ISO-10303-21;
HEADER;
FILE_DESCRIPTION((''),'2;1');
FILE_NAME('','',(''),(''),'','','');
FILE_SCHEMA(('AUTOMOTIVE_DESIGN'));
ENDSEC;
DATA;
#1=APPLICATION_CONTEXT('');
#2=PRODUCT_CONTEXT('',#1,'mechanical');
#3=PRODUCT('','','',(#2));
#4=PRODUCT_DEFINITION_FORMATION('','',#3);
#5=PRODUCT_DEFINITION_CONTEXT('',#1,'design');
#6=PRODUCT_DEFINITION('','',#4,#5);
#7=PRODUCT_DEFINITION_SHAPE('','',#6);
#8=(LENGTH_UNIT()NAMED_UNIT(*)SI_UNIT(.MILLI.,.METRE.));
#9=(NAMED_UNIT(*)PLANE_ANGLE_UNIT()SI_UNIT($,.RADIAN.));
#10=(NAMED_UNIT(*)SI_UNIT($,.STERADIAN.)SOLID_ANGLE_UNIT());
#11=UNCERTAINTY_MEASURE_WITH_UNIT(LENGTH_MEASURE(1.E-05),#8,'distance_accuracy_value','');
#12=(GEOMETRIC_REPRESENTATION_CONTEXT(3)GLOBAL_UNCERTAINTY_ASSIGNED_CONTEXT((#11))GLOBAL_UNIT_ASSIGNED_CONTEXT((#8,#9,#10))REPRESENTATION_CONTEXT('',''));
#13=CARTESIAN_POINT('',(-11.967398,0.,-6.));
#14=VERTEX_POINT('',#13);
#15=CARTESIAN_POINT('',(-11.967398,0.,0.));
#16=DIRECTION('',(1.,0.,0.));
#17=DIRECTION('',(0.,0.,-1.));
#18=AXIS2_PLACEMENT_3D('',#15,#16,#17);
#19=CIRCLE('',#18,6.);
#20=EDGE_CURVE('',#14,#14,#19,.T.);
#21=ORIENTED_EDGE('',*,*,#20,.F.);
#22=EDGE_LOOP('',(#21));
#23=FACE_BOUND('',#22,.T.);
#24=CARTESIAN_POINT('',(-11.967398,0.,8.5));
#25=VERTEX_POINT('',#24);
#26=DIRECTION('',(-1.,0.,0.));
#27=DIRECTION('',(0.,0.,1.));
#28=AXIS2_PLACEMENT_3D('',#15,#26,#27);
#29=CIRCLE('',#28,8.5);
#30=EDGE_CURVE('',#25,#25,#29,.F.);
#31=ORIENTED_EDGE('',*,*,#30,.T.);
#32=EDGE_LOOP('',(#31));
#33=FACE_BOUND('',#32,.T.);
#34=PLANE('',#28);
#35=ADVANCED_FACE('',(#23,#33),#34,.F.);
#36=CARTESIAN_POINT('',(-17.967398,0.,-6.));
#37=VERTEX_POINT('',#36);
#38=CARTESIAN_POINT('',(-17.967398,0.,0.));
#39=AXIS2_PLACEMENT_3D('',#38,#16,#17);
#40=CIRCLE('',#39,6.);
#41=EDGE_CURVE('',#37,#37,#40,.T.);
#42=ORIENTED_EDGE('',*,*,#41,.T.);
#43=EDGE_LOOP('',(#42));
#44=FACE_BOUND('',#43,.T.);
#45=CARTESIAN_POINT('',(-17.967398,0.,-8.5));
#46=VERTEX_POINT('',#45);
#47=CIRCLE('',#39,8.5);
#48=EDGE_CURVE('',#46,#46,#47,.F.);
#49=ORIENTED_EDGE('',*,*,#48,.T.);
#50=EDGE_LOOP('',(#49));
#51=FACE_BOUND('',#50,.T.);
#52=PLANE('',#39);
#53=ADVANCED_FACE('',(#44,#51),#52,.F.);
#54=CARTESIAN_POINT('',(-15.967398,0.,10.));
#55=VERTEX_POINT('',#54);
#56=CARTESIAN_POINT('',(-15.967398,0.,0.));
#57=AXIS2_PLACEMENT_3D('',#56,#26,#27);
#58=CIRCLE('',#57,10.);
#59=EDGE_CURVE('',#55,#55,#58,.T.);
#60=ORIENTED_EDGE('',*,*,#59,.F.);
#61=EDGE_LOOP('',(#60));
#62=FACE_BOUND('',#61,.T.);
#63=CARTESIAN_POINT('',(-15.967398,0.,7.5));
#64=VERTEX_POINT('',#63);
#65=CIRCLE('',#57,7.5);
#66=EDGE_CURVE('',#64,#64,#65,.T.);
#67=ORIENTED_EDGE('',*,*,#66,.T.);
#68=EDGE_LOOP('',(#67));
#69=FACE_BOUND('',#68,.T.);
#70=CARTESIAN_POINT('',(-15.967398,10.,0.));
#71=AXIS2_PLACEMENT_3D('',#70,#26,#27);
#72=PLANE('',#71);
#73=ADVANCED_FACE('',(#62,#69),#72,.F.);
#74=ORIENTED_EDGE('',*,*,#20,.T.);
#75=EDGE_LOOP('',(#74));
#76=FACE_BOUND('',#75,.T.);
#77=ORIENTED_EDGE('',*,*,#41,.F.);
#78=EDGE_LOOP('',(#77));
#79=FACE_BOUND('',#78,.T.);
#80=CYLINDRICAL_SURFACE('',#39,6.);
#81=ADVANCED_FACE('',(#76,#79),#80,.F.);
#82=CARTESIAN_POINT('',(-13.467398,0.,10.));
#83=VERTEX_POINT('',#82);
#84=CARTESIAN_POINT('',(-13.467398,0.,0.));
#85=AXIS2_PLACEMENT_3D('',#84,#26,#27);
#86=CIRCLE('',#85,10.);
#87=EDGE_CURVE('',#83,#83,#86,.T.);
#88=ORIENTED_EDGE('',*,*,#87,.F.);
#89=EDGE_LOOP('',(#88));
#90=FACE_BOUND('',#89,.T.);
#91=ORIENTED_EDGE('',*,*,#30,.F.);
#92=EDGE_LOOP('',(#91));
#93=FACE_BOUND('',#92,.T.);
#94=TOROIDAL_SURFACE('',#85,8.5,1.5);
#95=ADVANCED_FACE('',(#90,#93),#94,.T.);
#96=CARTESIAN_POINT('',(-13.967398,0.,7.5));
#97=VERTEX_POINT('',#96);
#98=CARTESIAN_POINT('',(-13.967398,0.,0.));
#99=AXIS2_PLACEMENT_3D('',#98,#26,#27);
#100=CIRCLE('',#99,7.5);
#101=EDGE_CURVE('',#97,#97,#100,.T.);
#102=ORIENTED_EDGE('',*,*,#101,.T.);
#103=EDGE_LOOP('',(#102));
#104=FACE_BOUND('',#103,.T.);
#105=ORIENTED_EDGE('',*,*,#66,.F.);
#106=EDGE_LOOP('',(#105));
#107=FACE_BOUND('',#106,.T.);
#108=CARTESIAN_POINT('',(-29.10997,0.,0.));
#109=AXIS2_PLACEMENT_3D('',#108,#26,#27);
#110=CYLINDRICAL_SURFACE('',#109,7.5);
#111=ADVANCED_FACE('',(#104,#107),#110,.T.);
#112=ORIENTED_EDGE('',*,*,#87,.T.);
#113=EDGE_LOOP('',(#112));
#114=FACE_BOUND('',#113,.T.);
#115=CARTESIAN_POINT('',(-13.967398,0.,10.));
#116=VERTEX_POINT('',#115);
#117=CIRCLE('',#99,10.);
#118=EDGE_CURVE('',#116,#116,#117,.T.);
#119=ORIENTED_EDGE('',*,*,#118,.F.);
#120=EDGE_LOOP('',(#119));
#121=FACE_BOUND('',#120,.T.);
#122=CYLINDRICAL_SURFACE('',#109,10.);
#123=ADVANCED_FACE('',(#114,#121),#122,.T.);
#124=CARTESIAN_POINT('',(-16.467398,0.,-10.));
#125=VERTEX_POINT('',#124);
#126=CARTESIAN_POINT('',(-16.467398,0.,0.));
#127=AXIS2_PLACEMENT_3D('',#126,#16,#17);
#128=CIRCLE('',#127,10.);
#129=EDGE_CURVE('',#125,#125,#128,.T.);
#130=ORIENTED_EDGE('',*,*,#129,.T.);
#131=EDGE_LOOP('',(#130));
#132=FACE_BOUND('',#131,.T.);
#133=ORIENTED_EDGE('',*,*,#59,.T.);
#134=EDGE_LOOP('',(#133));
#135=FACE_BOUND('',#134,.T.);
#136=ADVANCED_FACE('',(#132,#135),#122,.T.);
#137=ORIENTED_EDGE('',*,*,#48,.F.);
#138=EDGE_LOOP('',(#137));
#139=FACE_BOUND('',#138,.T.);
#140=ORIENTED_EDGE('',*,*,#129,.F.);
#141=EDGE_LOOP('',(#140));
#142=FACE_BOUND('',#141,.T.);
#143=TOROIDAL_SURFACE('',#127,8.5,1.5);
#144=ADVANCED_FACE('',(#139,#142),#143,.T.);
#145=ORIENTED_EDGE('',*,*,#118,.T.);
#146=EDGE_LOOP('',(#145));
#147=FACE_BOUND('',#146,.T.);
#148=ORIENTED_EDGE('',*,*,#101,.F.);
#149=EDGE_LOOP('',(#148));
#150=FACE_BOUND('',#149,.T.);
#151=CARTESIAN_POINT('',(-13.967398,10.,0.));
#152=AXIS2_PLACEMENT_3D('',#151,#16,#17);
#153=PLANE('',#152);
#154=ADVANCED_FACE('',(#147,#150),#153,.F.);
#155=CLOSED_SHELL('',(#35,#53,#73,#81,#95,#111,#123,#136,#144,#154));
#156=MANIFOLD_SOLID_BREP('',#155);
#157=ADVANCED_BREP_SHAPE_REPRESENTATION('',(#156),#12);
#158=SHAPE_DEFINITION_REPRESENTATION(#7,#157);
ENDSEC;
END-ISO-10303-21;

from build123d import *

# Parameters (mm, degrees)
SKETCH_2_R          = 6
CUT_EXTRUDE_1_DEPTH = 6
FILLET_1_R          = 1.5


with BuildPart() as part:
    # Эскиз1 → Повернуть1 (revolve)
    with BuildSketch(Plane.XY, mode=Mode.PRIVATE) as revolve_1_sk:
        Polygon((-17.967397807, 0), (-11.967397807, 0), (-11.967397807, 10), (-13.967397807, 10), (-13.967397807, 7.5), (-15.967397807, 7.5), (-15.967397807, 10), (-17.967397807, 10), align=None)
    revolve(revolve_1_sk.sketch.rotate(Axis((-29.10997009, 0, 0), (1, 0, 0)), 90), axis=Axis((-29.10997009, 0, 0), (1, 0, 0)))

    # Эскиз2 → Вырез-Вытянуть1 (cut)
    with BuildSketch(Plane(origin=(-11.967397807, 0, 0), x_dir=(0, 0, -1), z_dir=(1, 0, 0))):
        Circle(SKETCH_2_R)
    extrude(amount=-CUT_EXTRUDE_1_DEPTH, mode=Mode.SUBTRACT)

    # Скругление1
    fillet_1_edges = [part.edges().sort_by_distance(p)[0] for p in [
        (-11.967397807, 0, -10),
        (-17.967397807, 0, -10),
    ]]
    fillet(fillet_1_edges, radius=FILLET_1_R)


solid = part.part
